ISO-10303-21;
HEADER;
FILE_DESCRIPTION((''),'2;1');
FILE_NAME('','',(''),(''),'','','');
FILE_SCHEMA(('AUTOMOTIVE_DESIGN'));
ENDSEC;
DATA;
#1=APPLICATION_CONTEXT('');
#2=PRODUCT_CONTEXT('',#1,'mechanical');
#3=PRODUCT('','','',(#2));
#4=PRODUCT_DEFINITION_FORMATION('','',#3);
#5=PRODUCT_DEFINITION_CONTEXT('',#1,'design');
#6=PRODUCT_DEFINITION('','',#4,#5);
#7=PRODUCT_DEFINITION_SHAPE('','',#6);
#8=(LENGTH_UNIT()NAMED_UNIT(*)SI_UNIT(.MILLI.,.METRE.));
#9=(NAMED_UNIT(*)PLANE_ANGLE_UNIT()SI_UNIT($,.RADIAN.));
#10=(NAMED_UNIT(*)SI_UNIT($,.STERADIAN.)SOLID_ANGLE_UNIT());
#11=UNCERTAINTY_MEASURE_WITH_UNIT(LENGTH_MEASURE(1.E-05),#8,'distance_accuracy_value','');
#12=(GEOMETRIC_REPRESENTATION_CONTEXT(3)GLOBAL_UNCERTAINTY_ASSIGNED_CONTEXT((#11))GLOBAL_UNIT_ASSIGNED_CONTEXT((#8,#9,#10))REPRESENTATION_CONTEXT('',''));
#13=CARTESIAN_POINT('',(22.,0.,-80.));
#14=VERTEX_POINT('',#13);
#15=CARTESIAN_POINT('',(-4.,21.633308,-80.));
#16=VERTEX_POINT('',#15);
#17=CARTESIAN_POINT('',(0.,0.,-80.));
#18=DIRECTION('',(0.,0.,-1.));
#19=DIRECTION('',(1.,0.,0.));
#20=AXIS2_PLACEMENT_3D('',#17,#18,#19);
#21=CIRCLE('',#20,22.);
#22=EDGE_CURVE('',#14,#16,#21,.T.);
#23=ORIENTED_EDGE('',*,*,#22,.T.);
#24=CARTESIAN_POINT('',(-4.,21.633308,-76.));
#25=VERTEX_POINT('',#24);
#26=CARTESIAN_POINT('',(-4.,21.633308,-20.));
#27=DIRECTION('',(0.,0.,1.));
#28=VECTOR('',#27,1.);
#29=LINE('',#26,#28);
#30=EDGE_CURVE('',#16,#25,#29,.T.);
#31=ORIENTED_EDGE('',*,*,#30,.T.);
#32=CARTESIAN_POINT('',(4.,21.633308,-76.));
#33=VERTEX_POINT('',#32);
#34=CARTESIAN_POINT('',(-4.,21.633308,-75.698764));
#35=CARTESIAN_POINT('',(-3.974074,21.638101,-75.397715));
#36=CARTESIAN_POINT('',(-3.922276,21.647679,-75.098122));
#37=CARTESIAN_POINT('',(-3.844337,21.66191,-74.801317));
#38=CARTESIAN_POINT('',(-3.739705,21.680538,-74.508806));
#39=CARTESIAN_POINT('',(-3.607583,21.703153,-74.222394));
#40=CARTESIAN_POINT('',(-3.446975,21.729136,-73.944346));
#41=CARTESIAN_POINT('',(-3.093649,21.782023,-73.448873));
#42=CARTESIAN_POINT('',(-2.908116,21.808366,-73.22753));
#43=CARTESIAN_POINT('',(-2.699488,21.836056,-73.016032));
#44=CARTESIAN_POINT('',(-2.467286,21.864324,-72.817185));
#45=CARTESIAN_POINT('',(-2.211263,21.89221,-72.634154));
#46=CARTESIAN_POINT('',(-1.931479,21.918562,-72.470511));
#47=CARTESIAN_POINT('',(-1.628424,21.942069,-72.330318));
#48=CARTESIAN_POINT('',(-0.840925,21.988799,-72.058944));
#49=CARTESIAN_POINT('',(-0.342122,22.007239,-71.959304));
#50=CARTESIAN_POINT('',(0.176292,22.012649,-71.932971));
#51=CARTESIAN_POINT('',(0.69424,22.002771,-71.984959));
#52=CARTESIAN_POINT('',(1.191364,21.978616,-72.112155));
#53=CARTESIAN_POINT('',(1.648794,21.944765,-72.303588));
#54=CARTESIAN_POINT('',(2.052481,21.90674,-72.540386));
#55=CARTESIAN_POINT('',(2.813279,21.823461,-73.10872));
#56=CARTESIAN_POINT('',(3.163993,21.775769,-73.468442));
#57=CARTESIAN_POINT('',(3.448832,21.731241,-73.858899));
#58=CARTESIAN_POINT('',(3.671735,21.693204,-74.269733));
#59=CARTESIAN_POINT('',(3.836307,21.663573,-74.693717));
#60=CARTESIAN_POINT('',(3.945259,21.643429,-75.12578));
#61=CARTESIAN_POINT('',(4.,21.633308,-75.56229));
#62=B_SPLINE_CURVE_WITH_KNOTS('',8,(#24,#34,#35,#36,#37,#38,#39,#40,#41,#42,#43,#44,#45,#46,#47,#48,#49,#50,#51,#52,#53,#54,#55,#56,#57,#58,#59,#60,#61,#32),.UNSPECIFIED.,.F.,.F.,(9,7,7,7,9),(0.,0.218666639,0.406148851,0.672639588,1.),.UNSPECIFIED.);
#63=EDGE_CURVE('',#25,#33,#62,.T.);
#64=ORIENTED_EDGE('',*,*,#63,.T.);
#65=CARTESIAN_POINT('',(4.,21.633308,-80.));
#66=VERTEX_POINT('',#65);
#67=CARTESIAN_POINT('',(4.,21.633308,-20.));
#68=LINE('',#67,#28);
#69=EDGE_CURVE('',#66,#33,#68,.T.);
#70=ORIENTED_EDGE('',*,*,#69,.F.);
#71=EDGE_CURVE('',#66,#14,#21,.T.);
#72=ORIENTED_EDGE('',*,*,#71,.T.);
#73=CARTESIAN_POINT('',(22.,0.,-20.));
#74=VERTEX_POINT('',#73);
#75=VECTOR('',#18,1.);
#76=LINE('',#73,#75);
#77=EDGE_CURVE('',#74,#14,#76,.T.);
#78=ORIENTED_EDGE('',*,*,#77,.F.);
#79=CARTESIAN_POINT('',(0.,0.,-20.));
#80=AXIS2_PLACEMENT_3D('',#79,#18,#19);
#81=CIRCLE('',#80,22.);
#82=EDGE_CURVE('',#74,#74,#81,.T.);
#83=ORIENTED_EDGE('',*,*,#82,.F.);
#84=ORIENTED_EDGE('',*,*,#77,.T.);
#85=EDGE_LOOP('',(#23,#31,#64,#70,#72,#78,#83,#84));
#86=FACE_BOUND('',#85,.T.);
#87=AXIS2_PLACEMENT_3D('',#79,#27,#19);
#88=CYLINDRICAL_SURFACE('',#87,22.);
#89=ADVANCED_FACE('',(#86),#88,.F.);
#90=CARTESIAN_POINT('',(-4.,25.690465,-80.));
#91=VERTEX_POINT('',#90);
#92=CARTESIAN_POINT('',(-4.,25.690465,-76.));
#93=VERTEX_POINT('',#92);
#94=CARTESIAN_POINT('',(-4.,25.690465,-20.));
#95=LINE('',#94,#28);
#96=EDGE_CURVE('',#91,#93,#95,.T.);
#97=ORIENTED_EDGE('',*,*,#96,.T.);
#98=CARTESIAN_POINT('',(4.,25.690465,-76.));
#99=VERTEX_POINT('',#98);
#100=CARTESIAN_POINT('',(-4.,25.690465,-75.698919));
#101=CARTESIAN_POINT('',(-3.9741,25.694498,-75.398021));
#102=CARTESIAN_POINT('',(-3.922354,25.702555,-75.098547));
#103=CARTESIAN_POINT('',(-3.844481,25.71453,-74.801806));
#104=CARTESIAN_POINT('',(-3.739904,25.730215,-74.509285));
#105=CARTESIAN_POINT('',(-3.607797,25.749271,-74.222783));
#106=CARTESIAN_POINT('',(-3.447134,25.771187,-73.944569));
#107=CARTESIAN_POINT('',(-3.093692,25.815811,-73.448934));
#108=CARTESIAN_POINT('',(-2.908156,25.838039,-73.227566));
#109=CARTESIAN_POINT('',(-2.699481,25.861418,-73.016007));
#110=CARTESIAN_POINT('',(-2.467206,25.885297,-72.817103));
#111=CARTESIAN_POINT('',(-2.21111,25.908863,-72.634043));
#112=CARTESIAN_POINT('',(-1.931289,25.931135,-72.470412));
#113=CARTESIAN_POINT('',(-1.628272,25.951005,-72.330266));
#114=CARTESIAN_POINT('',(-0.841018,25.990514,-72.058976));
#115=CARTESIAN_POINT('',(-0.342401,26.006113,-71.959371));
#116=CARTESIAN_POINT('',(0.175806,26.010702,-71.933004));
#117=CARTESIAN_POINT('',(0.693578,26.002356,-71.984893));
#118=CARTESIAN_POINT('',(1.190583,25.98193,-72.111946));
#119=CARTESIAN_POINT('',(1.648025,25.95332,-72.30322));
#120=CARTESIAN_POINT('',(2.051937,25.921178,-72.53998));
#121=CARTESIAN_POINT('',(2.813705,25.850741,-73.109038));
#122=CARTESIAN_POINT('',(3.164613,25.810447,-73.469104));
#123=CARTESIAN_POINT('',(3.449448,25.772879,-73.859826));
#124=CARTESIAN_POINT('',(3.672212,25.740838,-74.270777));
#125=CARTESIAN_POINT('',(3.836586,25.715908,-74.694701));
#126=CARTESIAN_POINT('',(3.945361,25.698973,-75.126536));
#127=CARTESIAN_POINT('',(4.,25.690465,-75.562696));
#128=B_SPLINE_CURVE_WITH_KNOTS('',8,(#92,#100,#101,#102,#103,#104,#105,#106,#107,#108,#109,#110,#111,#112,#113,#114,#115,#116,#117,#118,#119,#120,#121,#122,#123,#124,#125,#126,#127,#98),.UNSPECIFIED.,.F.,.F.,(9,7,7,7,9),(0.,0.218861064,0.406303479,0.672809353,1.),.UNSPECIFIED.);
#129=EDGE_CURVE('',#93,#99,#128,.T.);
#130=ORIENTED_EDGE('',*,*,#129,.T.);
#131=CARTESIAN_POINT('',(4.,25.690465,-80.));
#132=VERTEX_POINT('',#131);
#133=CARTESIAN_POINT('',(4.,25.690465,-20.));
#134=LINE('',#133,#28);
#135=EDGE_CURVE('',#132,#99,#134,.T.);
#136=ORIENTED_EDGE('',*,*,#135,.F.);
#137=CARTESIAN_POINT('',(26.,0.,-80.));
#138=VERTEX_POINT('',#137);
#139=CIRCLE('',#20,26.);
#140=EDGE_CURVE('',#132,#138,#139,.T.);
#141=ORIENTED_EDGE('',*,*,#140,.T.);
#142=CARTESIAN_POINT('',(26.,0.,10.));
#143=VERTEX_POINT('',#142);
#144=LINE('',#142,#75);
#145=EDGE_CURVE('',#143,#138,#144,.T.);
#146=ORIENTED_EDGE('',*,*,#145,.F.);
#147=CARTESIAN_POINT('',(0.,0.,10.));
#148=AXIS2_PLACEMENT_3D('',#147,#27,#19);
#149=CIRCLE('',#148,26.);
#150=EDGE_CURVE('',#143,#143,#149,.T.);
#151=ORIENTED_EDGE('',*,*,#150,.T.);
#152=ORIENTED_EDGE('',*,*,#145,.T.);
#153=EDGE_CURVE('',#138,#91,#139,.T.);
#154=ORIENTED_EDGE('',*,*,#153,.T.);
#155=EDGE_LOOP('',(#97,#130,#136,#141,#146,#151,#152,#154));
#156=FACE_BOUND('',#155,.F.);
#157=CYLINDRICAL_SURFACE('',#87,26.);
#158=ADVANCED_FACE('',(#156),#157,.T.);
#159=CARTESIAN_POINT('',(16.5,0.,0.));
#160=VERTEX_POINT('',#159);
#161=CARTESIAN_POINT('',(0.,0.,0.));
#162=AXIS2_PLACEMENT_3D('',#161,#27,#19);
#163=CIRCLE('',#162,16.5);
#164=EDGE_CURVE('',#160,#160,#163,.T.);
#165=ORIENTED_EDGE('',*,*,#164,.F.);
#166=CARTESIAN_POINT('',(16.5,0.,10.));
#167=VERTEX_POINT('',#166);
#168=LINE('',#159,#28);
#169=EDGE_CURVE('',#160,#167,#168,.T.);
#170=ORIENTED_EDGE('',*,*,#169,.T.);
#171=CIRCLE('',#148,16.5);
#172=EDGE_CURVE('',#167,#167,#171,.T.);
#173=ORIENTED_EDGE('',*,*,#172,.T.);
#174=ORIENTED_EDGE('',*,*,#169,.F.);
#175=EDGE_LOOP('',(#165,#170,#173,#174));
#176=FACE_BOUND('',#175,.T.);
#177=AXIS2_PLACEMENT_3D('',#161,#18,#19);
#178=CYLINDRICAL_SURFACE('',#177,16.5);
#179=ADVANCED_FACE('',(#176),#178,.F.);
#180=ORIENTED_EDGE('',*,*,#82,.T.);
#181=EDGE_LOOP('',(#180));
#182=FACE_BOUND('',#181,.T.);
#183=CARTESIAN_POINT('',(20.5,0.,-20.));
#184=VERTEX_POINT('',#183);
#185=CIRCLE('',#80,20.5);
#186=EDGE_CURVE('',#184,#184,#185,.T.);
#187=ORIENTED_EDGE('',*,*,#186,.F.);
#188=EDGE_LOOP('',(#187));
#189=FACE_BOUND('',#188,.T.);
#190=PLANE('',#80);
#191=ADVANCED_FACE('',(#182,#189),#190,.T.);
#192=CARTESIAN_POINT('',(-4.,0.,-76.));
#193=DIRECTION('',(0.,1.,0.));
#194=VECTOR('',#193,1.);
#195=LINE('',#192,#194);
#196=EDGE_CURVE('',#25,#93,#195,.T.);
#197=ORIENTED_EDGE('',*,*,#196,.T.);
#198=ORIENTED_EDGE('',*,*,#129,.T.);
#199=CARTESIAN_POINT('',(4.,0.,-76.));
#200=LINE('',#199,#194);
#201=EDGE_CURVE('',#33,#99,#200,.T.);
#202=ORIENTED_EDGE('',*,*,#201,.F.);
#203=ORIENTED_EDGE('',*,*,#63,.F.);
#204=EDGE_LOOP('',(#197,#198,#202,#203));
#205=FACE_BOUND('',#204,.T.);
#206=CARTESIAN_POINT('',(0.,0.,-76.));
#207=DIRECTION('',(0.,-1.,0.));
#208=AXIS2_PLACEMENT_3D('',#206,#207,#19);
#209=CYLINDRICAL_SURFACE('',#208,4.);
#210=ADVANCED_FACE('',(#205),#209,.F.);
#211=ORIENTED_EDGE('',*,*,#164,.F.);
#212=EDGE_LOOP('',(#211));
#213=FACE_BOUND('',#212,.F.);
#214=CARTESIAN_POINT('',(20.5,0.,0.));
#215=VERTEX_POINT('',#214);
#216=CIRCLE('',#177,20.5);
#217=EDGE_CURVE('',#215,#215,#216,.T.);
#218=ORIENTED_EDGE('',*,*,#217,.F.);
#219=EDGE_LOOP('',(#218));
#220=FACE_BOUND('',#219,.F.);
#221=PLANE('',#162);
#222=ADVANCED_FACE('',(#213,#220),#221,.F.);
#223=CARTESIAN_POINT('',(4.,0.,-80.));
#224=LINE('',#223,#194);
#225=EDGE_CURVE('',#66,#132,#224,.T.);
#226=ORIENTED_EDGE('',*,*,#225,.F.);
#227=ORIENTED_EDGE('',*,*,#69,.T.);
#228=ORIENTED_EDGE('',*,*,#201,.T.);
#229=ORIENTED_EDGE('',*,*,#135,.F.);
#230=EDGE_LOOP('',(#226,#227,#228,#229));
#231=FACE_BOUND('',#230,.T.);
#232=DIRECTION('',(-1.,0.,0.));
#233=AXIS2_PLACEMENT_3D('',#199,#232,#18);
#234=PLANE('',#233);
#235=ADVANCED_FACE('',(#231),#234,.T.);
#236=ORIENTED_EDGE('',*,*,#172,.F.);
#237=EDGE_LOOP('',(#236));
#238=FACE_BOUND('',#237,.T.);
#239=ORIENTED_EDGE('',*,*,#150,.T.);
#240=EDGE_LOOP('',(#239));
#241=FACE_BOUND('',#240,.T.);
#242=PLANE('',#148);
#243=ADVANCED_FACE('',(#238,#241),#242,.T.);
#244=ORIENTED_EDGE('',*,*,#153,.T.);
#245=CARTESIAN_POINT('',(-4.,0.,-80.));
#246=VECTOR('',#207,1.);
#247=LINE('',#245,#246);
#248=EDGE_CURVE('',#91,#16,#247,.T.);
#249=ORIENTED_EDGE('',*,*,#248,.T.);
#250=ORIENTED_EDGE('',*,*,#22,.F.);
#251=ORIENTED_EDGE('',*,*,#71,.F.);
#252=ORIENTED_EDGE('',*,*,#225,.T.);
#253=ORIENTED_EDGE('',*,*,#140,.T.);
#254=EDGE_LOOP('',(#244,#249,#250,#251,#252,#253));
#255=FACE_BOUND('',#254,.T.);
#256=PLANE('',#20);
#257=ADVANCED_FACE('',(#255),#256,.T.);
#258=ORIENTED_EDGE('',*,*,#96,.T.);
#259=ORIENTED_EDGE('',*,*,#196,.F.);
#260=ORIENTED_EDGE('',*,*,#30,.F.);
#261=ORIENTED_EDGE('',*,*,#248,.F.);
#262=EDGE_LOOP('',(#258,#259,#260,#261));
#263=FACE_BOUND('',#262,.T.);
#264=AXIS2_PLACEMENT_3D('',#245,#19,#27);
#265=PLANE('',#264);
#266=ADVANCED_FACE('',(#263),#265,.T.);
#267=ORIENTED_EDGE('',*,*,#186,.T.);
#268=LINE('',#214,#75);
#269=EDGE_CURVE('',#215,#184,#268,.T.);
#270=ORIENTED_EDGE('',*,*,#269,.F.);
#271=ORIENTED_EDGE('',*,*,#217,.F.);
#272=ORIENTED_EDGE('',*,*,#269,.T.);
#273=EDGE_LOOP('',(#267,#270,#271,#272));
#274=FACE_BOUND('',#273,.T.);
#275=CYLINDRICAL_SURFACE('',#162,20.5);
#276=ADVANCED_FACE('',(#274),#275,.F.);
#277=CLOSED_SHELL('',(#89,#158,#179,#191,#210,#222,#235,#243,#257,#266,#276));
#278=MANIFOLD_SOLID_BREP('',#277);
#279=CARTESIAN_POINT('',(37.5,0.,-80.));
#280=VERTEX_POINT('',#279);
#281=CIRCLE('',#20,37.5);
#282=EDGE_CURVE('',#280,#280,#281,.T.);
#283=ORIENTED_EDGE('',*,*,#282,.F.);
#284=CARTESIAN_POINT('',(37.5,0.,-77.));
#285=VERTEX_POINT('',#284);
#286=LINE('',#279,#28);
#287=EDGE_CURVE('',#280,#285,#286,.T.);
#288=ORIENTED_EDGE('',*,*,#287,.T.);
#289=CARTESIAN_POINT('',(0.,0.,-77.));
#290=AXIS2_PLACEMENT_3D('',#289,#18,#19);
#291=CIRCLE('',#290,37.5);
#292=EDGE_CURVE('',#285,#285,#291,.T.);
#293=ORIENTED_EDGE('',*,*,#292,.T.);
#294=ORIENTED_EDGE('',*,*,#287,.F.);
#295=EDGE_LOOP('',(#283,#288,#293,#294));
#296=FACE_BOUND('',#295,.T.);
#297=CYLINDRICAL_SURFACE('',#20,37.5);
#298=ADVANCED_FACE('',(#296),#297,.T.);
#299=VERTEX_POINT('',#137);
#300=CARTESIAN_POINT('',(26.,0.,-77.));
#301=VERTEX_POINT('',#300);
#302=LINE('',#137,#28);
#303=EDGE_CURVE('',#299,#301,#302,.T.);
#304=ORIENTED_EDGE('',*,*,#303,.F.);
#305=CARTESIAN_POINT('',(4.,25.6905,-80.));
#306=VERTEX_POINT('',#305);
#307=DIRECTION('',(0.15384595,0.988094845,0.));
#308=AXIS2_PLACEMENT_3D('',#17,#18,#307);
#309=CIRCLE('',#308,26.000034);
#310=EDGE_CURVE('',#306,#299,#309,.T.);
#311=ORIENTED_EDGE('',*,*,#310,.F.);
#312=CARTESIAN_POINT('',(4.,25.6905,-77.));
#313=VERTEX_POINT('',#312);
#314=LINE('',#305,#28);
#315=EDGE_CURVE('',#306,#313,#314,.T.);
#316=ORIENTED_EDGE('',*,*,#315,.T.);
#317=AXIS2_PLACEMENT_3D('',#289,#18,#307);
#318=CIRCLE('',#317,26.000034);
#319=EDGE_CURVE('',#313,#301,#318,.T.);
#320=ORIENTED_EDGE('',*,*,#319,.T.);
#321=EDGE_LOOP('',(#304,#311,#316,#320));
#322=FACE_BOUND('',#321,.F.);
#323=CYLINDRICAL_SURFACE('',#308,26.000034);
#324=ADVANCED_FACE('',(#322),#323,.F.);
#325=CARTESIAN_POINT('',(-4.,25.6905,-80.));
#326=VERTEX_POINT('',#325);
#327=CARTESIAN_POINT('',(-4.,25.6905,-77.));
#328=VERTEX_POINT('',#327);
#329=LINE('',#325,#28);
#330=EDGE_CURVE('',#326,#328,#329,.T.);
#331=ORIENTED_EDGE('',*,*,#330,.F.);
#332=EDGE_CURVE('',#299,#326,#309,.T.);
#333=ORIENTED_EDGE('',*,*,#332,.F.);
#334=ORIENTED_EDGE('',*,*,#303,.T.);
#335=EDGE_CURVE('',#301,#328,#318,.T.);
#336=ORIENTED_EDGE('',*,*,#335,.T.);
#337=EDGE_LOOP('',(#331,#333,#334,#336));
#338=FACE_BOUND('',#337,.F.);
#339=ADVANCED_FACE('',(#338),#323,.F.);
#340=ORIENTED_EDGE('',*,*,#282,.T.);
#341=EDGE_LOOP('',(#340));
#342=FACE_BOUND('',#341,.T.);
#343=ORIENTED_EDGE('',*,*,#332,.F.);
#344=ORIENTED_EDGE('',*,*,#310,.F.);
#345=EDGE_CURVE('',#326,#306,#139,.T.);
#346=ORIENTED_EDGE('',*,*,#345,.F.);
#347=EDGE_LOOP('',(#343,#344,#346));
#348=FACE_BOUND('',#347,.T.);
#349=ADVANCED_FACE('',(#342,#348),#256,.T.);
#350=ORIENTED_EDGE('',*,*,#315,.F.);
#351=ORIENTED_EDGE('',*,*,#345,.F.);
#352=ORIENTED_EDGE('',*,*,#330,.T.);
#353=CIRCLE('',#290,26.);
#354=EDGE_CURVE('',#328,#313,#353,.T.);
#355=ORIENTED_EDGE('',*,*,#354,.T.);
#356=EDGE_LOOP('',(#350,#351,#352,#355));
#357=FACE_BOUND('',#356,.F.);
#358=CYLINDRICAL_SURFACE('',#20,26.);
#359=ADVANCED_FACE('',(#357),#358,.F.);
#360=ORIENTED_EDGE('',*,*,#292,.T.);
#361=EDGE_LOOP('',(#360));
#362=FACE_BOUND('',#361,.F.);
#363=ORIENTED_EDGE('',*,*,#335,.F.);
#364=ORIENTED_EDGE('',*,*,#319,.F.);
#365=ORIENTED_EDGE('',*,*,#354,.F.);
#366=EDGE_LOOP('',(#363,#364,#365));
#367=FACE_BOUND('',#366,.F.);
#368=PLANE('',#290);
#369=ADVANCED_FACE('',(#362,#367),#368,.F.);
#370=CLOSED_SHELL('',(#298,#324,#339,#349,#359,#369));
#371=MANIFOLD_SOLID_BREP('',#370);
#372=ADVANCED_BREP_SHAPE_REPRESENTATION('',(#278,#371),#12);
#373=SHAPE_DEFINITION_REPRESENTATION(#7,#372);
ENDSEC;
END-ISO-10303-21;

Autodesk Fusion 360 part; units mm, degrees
sketch "Sketch1" plane through (0, 0, 0) normal (0, 0, 1) x (1, 0, 0)
  circle A0 centre (0, 0) radius 26
  circle A1 centre (0, 0) radius 16.5
  dimension "d1" = 52
  dimension "d2" = 33
extrude "Extrude1" add sketch "Sketch1" along normal blind 10 makes body 1
sketch "Sketch2" plane through (0, 0, 0) normal (0, 0, -1) x (1, 0, 0)
  circle A0 centre (0, 0) radius 16.5
  circle A1 centre (0, 0) radius 26
  circle A2 centre (0, 0) radius 20.5
  circle A3 centre (0, 0) radius 26
  dimension "d5" = 41
extrude "Extrude2" add sketch "Sketch2" along normal blind 20 contours A1 A3 bodies 1
sketch "Sketch3" plane through (0, 0, -20) normal (0, 0, -1) x (1, 0, 0)
  circle A0 centre (0, 0) radius 20.5
  circle A1 centre (0, 0) radius 26
  circle A2 centre (0, 0) radius 26
  circle A3 centre (0, 0) radius 22
  dimension "d8" = 44
extrude "Extrude3" add sketch "Sketch3" along normal blind 60 contours A1 A2 bodies 1
sketch "Sketch4" plane through (0, 0, 0) normal (0, 1, 0) x (1, 0, 0)
  circle A0 centre (0, 76) radius 4
  line L0 (0, 87) -> (0, 61.5698)
  line L1 (-16, 80) -> (14, 80)
  line L2 (-4, 76) -> (4, 76)
  line L3 (4, 76) -> (4, 83.4251)
  line L4 (4, 83.4251) -> (-4, 83.4251)
  line L5 (-4, 83.4251) -> (-4, 76)
  point P0 (0, 80)
  dimension "d11" = 8
  dimension "d12" = 8
extrude "Extrude4" cut sketch "Sketch4" along normal blind 70 bodies 1
sketch "Sketch5" plane through (0, 0, -80) normal (0, 0, -1) x (1, 0, 0)
  line L0 (-4, -25.6905) -> (-4, -21.6333)
  arc A0 (4, -21.6333) -> (-4, -21.6333) centre (0, 0) ccw
  line L1 (4, -21.6333) -> (4, -25.6905)
  arc A1 (4, -25.6905) -> (-4, -25.6905) centre (0, 0) ccw
  circle A2 centre (0, 0) radius 37.5
  circle A3 centre (0, 0) radius 26
  dimension "d15" = 75
extrude "Extrude5" add sketch "Sketch5" against normal blind 3 separate body makes body 2
